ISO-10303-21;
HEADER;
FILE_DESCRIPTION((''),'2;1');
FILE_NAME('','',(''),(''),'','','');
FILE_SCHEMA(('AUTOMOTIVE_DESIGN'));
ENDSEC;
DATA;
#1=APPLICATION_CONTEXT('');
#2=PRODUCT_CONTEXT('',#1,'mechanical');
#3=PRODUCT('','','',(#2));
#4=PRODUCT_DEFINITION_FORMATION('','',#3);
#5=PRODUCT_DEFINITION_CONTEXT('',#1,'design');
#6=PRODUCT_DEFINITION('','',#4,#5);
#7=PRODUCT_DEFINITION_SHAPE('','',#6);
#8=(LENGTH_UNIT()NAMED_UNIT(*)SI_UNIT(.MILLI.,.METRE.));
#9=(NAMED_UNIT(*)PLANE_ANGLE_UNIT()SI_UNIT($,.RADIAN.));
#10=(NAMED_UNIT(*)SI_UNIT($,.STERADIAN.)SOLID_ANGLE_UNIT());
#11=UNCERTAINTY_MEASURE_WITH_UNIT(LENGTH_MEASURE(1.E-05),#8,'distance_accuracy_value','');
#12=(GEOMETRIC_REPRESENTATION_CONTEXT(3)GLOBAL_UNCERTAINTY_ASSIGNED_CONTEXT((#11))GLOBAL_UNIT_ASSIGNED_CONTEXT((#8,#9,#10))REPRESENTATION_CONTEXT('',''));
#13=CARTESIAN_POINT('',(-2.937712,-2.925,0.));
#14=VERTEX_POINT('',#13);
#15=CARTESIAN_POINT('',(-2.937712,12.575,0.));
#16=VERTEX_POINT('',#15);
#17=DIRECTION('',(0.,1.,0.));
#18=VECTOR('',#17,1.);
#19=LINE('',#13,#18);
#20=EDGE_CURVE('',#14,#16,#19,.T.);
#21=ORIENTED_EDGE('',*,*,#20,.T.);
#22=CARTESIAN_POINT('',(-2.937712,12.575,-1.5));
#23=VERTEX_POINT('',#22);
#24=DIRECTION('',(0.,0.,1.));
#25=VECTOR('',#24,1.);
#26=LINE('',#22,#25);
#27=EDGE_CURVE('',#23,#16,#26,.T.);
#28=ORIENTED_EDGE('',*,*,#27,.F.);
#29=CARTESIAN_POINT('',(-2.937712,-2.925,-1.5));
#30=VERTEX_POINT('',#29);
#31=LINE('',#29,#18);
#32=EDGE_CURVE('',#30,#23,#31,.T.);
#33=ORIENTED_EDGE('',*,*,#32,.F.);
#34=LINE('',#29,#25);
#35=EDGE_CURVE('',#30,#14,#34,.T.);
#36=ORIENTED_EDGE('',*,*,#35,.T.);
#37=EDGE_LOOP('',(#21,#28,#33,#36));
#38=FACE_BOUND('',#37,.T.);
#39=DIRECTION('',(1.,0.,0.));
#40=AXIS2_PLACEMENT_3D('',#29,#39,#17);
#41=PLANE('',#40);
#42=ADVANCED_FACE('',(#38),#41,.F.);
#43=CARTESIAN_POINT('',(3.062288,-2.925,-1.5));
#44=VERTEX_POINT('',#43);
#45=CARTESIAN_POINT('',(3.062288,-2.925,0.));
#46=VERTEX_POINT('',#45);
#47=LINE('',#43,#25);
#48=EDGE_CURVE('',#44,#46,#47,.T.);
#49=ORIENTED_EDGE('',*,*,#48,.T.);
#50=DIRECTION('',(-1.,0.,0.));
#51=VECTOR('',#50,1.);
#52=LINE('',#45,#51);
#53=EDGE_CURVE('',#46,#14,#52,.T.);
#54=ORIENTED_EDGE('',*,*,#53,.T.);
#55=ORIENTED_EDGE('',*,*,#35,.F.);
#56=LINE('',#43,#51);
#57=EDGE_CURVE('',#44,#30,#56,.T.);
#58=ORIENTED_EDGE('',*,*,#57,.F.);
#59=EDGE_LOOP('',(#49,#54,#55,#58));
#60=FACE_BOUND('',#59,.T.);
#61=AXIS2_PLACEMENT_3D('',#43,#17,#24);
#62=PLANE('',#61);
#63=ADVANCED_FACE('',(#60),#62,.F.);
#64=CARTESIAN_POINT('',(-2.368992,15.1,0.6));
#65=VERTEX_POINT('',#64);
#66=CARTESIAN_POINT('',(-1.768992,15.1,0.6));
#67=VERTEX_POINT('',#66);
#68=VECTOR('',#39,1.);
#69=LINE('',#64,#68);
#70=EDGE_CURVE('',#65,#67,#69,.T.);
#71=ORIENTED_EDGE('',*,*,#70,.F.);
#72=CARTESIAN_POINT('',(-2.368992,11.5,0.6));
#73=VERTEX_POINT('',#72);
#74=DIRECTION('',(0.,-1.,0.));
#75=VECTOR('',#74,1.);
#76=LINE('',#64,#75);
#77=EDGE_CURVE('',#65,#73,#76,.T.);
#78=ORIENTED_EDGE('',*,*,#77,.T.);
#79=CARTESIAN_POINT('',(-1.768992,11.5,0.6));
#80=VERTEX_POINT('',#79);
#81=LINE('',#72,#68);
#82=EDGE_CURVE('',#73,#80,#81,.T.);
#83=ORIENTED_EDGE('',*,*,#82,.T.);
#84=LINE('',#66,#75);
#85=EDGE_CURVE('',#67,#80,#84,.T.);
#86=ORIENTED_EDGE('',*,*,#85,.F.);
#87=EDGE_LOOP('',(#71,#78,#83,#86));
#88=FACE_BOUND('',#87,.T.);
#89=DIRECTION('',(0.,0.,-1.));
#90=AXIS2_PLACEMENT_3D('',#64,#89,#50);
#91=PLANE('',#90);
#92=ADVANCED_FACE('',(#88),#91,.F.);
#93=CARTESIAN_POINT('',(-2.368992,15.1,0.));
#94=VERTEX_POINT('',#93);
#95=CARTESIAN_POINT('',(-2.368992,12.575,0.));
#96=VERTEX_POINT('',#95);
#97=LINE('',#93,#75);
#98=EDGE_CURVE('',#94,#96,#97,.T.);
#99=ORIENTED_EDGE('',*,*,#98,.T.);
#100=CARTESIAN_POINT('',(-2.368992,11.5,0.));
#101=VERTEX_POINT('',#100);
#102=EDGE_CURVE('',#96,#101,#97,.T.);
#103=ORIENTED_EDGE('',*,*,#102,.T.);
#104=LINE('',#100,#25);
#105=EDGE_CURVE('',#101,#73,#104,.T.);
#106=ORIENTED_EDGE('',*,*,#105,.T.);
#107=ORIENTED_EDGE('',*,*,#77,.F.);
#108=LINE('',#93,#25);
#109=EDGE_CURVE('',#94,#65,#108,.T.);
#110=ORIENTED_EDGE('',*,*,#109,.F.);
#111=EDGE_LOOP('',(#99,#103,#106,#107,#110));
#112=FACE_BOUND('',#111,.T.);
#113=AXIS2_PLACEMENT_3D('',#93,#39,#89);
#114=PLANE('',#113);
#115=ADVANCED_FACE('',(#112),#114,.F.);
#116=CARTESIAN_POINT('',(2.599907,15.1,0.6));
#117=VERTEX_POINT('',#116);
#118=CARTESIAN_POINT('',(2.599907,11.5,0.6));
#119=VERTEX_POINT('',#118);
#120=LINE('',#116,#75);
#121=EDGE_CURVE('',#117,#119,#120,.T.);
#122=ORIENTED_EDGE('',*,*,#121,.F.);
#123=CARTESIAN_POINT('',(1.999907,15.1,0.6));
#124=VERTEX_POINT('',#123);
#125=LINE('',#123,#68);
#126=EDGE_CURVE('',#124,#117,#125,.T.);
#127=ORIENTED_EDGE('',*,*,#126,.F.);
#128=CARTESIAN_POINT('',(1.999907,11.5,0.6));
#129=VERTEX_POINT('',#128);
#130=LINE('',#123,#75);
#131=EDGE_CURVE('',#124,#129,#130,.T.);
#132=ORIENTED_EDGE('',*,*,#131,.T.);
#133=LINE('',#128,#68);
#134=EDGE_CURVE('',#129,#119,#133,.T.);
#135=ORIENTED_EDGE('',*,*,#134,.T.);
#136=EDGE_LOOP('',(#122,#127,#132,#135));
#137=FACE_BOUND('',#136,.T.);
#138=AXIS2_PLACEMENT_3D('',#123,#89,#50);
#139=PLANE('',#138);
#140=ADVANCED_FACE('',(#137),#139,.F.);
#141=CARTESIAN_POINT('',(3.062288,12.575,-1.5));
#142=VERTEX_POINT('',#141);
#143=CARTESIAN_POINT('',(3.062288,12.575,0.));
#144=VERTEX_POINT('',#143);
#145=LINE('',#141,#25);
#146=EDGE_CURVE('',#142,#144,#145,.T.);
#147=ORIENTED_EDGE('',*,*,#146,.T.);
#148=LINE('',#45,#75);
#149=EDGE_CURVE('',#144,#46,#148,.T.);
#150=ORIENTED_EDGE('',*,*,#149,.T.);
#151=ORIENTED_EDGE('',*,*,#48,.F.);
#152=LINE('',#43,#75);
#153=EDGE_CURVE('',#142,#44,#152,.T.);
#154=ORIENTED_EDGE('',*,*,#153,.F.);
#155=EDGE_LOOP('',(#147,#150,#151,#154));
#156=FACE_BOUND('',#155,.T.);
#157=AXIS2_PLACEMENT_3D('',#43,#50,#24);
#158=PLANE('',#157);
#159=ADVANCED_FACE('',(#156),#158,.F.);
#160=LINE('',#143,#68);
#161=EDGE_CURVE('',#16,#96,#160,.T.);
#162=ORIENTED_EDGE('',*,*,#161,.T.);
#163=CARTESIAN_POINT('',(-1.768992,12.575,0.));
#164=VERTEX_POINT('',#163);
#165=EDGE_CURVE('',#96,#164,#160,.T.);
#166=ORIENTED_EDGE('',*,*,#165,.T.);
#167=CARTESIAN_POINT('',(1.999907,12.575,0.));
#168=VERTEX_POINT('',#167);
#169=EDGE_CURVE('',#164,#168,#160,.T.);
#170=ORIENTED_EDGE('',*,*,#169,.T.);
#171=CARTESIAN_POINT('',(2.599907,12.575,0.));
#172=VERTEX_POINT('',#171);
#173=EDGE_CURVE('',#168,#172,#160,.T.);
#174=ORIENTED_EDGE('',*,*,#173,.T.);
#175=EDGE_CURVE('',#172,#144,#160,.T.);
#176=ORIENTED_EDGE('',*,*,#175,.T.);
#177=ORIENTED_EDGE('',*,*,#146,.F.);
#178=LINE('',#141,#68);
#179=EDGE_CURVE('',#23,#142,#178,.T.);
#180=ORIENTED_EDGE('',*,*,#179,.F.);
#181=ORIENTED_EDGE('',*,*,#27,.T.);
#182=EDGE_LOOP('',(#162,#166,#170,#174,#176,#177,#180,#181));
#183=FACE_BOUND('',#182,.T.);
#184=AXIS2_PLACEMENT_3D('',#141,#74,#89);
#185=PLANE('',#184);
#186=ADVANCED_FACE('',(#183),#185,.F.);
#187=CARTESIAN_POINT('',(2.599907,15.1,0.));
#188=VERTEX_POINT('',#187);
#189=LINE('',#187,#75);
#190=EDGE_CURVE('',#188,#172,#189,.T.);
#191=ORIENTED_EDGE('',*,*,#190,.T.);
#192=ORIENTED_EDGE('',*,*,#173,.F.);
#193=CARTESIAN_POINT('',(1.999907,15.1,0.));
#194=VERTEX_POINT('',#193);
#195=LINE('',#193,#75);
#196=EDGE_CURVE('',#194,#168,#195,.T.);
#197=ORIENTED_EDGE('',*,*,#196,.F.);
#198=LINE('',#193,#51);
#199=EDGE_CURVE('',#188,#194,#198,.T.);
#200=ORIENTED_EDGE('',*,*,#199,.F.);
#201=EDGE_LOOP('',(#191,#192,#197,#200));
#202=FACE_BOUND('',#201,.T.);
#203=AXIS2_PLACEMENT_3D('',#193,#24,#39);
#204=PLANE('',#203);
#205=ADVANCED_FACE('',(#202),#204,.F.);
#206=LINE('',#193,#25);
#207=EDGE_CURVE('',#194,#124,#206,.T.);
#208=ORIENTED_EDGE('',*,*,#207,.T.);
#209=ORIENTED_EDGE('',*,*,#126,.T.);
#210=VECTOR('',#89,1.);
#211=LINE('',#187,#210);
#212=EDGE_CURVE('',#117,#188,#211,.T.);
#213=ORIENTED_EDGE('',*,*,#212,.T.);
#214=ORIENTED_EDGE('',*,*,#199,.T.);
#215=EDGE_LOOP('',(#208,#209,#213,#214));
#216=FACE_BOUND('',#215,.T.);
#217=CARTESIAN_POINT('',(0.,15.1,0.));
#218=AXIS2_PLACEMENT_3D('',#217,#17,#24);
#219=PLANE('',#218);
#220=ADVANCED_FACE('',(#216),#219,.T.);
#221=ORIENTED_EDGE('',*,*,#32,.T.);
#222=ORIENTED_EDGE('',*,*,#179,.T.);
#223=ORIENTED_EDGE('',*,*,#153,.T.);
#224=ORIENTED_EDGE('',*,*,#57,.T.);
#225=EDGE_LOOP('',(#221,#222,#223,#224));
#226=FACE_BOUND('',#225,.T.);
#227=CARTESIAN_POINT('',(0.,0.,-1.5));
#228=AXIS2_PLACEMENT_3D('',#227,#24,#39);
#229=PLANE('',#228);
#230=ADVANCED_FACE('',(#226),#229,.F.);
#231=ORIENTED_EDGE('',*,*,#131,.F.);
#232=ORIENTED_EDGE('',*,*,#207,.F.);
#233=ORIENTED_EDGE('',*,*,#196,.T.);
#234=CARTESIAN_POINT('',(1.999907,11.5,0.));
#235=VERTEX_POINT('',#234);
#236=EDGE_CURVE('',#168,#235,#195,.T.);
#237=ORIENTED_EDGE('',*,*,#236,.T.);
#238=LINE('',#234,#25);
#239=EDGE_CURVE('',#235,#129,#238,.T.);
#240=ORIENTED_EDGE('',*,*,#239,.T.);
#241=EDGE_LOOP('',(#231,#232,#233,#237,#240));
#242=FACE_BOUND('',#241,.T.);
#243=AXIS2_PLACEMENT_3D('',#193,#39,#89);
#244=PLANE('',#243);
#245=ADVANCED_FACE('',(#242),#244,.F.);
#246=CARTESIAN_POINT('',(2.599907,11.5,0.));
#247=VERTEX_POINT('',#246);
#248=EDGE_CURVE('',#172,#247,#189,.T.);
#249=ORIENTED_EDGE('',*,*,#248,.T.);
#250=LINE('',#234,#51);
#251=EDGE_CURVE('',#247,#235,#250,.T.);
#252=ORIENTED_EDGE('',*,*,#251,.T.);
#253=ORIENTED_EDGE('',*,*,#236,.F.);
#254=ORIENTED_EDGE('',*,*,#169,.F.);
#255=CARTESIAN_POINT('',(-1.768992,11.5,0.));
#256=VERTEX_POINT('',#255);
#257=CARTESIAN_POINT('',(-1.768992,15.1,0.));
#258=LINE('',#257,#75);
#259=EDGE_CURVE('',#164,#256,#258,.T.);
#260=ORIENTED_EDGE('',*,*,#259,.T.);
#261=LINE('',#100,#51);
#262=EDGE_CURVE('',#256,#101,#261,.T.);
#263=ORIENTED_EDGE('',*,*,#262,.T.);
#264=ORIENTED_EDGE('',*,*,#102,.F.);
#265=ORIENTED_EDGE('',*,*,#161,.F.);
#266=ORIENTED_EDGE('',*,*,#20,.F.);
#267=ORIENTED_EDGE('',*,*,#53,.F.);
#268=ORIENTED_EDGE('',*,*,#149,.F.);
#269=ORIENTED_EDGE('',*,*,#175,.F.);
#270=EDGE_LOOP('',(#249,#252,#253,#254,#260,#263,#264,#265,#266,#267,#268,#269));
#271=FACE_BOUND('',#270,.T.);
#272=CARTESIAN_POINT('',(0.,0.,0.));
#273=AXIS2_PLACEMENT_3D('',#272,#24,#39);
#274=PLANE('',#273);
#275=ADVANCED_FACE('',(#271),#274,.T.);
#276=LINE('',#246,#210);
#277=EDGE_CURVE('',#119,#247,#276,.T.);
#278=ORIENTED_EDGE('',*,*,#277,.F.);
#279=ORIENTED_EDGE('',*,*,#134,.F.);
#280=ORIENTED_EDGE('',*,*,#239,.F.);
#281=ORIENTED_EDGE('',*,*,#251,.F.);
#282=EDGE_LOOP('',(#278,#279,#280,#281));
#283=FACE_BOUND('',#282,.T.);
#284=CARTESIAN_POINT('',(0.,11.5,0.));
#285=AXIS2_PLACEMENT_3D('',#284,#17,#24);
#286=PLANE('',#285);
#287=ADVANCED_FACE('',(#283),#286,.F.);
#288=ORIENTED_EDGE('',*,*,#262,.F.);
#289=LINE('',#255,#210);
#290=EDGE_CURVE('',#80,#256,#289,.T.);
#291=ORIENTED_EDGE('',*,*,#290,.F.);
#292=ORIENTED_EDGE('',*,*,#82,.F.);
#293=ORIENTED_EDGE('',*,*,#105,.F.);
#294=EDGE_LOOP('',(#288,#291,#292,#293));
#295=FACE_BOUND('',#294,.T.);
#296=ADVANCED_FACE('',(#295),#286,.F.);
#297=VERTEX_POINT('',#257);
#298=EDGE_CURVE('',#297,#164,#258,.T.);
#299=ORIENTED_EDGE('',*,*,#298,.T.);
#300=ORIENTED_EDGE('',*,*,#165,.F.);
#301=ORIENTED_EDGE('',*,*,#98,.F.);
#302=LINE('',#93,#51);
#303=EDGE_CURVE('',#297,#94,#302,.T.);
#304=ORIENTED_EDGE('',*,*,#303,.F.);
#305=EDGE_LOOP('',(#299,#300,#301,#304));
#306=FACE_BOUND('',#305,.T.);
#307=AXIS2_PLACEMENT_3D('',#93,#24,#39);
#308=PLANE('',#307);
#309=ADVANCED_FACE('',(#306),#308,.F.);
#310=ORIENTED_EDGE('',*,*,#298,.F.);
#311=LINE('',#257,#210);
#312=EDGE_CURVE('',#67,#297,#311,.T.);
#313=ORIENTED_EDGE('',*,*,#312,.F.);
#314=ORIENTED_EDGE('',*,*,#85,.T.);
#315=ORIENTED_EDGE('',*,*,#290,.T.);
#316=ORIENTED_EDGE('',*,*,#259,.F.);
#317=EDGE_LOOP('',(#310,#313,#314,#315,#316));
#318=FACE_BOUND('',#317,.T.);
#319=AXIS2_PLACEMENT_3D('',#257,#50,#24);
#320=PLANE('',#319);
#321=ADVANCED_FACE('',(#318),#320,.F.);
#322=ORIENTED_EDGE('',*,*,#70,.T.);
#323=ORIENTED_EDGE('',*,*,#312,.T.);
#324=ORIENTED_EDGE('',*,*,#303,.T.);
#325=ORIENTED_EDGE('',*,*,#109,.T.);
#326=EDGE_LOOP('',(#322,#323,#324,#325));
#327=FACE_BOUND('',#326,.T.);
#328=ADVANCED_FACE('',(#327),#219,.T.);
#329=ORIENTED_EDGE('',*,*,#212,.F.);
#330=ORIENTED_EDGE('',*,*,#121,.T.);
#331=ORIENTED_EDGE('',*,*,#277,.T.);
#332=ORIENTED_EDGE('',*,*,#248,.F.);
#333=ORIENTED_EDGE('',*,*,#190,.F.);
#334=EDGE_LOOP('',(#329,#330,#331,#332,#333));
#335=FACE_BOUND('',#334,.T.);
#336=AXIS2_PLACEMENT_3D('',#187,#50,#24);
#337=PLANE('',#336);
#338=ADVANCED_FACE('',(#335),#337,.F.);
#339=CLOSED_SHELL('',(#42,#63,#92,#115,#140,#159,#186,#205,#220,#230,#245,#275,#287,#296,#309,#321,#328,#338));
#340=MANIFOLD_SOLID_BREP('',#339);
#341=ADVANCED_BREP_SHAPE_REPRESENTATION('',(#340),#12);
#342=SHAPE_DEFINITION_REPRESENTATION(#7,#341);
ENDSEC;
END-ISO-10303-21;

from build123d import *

# Parameters (mm, degrees)
SKICA1_W                 = 1.6
SKICA1_H                 = 0.85
P_IDAT_VYSUNUT_M1_DEPTH  = 0.45
SKICA2_W                 = 6
SKICA2_H                 = 15.5
P_IDAT_VYSUNUT_M2_DEPTH  = 1.5
P_IDAT_START             = 11.5
SKICA4_W                 = 0.6
SKICA4_H                 = 0.6
P_IDAT_VYSUNUT_M4_DEPTH  = 3.6
SKICA6_W                 = 1.6
SKICA6_H                 = 0.85
ODEBRAT_VYSUNUT_M1_DEPTH = 0.45


with BuildPart() as part:
    # Skica1 → Přidat vysunutím1 (new body)
    with BuildSketch(Plane.XY):
        Rectangle(SKICA1_W, SKICA1_H)
    extrude(amount=P_IDAT_VYSUNUT_M1_DEPTH)

    # Skica2 → Přidat vysunutím2 (add)
    with BuildSketch(Plane(origin=(0, 0, 0), x_dir=(-1, 0, 0), z_dir=(0, 0, -1))):
        with Locations((-0.062287775, 4.825)):
            Rectangle(SKICA2_W, SKICA2_H)
    extrude(amount=P_IDAT_VYSUNUT_M2_DEPTH)

    # Skica4 → Přidat vysunutím4 (add)
    with BuildSketch(Plane(origin=(0, 0, 0), x_dir=(1, 0, 0), z_dir=(0, 1, 0)).offset(P_IDAT_START)):
        with Locations((-2.068992039, -0.3)):
            Rectangle(SKICA4_W, SKICA4_H)
        with Locations((2.299906713, -0.3)):
            Rectangle(SKICA4_W, SKICA4_H)
    extrude(amount=P_IDAT_VYSUNUT_M4_DEPTH)

    # Skica6 → Odebrat vysunutím1 (cut)
    with BuildSketch(Plane.XY.offset(0.45)):
        Rectangle(SKICA6_W, SKICA6_H)
    extrude(amount=-ODEBRAT_VYSUNUT_M1_DEPTH, mode=Mode.SUBTRACT)


solid = part.part
